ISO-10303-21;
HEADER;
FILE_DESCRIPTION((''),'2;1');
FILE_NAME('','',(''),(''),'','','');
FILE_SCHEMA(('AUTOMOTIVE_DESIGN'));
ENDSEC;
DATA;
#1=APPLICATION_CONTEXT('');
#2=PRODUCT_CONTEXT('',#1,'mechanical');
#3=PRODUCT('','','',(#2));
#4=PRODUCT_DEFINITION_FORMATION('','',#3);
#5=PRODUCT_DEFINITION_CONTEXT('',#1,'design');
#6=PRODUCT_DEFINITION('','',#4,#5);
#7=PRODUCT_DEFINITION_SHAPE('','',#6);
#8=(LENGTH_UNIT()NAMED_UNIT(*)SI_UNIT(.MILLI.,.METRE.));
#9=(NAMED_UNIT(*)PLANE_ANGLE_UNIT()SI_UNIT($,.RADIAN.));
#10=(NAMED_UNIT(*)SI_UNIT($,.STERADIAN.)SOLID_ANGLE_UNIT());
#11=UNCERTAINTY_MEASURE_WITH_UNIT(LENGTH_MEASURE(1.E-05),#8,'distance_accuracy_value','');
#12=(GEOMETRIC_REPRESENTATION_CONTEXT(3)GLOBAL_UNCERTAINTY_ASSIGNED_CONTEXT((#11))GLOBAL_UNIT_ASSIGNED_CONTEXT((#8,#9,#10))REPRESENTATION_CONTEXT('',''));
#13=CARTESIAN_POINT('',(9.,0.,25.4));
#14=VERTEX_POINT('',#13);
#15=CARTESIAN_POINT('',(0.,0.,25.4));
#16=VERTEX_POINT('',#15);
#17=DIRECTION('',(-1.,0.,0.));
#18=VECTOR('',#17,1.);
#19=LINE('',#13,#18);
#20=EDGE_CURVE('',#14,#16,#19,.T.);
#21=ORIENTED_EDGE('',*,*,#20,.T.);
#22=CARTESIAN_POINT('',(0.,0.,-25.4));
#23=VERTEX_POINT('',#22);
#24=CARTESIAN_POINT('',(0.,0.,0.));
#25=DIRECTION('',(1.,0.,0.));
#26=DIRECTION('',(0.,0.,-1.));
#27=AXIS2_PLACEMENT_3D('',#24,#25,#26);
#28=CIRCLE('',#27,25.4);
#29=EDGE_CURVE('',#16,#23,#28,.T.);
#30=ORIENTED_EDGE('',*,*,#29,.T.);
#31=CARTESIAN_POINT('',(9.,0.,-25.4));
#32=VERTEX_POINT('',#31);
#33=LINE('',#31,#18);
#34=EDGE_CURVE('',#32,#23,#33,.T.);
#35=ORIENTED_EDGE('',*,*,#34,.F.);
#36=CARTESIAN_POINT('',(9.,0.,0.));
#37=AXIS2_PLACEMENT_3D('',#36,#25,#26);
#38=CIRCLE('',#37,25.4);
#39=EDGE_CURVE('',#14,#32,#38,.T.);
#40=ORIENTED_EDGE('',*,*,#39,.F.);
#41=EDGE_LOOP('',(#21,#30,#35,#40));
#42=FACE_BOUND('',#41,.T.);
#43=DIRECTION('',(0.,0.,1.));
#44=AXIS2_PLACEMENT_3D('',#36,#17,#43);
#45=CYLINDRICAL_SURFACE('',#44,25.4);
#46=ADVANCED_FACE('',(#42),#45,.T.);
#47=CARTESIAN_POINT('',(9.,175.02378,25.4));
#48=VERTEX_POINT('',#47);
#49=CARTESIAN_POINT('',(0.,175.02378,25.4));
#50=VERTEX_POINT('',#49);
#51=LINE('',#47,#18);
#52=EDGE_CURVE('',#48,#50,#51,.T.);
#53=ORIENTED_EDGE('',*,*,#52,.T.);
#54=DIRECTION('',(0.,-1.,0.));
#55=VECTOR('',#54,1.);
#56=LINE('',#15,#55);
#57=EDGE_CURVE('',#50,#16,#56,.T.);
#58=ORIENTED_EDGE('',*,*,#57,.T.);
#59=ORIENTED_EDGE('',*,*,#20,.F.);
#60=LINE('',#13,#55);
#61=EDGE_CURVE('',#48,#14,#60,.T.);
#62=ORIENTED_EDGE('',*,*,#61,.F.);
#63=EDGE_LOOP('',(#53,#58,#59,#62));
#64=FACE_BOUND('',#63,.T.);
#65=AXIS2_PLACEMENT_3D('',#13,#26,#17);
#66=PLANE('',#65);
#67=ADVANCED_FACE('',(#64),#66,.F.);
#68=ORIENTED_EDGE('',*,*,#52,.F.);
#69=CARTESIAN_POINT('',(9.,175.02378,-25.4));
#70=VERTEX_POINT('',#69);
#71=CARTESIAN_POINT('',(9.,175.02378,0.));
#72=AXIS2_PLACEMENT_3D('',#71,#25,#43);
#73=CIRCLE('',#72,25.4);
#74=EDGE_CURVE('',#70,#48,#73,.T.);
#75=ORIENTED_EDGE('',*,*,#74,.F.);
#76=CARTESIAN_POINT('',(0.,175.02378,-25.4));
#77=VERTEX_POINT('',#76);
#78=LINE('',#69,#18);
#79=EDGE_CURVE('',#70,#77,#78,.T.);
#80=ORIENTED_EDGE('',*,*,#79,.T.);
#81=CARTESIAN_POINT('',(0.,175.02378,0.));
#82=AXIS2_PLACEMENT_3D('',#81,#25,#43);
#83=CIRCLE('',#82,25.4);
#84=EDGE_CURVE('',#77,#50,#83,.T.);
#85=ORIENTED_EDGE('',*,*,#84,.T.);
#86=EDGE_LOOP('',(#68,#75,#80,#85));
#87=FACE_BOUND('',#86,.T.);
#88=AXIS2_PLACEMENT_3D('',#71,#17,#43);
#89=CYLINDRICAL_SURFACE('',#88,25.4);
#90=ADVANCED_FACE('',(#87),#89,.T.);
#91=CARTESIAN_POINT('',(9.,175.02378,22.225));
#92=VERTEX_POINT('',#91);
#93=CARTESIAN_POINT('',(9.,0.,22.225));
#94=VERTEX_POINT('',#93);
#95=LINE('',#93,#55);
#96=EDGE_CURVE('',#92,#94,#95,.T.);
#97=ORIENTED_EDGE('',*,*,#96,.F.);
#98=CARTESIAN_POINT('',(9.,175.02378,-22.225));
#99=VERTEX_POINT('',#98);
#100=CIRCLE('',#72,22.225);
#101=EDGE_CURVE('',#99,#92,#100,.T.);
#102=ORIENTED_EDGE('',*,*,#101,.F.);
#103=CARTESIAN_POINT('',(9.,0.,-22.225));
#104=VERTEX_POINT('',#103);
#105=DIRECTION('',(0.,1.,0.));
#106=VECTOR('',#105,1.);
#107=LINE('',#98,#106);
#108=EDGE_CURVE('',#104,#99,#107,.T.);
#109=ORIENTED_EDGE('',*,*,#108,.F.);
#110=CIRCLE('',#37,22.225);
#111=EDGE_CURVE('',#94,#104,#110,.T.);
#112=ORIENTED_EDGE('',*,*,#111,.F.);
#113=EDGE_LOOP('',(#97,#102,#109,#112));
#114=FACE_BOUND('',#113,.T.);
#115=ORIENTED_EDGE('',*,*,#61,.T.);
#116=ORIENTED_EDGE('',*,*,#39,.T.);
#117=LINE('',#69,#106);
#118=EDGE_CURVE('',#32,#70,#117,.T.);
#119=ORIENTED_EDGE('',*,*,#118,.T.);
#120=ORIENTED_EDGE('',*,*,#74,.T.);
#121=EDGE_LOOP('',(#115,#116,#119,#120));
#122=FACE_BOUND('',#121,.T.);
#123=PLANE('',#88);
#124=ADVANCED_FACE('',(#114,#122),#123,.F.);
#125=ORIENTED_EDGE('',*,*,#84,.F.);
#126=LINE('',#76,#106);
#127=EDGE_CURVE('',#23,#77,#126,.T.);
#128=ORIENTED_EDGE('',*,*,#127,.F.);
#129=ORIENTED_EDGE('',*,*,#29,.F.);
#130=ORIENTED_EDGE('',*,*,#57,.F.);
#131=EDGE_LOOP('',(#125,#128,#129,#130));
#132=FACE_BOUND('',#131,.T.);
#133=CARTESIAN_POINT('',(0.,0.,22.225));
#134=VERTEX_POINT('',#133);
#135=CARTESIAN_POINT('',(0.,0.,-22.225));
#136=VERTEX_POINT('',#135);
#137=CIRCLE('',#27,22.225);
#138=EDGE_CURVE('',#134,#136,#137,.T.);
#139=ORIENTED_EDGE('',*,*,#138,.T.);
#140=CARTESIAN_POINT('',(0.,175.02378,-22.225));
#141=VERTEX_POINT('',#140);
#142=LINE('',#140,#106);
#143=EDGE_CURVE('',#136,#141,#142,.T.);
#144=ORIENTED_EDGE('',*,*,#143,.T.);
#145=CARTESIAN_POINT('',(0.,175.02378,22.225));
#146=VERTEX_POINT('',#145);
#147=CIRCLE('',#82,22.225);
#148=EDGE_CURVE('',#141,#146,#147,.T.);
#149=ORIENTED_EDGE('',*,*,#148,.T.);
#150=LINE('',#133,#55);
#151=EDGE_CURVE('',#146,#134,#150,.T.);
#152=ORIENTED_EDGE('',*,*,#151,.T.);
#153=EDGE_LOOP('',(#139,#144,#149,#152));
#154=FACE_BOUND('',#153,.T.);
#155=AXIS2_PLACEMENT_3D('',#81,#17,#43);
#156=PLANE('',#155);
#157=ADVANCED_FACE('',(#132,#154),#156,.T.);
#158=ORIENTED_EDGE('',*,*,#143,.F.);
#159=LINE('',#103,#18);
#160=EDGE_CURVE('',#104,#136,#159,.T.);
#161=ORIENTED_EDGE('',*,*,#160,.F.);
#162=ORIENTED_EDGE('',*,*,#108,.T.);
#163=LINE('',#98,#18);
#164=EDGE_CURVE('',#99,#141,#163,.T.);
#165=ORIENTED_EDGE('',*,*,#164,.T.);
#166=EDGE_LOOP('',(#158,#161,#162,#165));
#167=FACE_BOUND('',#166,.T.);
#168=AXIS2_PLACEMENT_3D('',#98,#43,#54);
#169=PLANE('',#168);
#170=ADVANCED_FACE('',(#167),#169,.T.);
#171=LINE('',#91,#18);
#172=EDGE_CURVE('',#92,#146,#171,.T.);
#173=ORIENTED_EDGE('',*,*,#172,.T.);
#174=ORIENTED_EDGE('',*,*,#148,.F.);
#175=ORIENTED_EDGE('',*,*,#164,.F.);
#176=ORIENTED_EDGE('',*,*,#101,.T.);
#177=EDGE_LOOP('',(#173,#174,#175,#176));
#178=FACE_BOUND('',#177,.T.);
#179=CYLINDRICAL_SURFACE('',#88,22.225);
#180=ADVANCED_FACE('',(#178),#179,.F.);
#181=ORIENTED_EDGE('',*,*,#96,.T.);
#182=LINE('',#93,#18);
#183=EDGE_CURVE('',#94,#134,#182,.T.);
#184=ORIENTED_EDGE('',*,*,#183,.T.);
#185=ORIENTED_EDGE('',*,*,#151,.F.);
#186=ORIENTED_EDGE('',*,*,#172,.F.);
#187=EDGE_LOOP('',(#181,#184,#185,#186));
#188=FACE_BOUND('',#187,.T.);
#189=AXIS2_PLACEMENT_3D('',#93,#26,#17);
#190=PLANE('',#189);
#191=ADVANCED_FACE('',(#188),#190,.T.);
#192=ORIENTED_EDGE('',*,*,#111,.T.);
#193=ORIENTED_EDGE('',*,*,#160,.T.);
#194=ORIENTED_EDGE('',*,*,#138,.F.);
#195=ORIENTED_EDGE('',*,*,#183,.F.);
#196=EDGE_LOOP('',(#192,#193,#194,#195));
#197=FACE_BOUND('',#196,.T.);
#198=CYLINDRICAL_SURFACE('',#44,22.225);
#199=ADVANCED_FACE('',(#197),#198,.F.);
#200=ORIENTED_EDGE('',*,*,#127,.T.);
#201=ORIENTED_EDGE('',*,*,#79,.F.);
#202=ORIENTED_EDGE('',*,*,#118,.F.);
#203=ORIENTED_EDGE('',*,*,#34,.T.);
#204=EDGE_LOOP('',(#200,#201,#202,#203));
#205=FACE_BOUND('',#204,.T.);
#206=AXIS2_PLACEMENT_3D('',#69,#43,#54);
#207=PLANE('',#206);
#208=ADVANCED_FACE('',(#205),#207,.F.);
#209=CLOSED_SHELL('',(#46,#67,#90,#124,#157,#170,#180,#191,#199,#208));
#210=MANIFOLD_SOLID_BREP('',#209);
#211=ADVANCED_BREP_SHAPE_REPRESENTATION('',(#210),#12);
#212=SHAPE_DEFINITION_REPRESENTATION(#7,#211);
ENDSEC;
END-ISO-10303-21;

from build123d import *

# Parameters (mm, degrees)
BOSS_EXTRUDE1_DEPTH = 9


with BuildPart() as part:
    # Sketch1 → Boss-Extrude1 (new body)
    with BuildSketch(Plane(origin=(0, 0, 0), x_dir=(0, 0, -1), z_dir=(1, 0, 0))):
        with BuildLine():
            Line((-25.4, 0), (-25.4, 175.02378))
            ThreePointArc((-25.4, 175.02378), (0, 200.42378), (25.4, 175.02378))
            Line((25.4, 175.02378), (25.4, 0))
            ThreePointArc((25.4, 0), (0, -25.4), (-25.4, 0))
        make_face()
        with BuildLine():
            Line((22.225, 175.02378), (22.225, 0))
            ThreePointArc((22.225, 0), (0, -22.225), (-22.225, 0))
            Line((-22.225, 0), (-22.225, 175.02378))
            ThreePointArc((-22.225, 175.02378), (0, 197.24878), (22.225, 175.02378))
        make_face(mode=Mode.SUBTRACT)
    extrude(amount=BOSS_EXTRUDE1_DEPTH)


solid = part.part
